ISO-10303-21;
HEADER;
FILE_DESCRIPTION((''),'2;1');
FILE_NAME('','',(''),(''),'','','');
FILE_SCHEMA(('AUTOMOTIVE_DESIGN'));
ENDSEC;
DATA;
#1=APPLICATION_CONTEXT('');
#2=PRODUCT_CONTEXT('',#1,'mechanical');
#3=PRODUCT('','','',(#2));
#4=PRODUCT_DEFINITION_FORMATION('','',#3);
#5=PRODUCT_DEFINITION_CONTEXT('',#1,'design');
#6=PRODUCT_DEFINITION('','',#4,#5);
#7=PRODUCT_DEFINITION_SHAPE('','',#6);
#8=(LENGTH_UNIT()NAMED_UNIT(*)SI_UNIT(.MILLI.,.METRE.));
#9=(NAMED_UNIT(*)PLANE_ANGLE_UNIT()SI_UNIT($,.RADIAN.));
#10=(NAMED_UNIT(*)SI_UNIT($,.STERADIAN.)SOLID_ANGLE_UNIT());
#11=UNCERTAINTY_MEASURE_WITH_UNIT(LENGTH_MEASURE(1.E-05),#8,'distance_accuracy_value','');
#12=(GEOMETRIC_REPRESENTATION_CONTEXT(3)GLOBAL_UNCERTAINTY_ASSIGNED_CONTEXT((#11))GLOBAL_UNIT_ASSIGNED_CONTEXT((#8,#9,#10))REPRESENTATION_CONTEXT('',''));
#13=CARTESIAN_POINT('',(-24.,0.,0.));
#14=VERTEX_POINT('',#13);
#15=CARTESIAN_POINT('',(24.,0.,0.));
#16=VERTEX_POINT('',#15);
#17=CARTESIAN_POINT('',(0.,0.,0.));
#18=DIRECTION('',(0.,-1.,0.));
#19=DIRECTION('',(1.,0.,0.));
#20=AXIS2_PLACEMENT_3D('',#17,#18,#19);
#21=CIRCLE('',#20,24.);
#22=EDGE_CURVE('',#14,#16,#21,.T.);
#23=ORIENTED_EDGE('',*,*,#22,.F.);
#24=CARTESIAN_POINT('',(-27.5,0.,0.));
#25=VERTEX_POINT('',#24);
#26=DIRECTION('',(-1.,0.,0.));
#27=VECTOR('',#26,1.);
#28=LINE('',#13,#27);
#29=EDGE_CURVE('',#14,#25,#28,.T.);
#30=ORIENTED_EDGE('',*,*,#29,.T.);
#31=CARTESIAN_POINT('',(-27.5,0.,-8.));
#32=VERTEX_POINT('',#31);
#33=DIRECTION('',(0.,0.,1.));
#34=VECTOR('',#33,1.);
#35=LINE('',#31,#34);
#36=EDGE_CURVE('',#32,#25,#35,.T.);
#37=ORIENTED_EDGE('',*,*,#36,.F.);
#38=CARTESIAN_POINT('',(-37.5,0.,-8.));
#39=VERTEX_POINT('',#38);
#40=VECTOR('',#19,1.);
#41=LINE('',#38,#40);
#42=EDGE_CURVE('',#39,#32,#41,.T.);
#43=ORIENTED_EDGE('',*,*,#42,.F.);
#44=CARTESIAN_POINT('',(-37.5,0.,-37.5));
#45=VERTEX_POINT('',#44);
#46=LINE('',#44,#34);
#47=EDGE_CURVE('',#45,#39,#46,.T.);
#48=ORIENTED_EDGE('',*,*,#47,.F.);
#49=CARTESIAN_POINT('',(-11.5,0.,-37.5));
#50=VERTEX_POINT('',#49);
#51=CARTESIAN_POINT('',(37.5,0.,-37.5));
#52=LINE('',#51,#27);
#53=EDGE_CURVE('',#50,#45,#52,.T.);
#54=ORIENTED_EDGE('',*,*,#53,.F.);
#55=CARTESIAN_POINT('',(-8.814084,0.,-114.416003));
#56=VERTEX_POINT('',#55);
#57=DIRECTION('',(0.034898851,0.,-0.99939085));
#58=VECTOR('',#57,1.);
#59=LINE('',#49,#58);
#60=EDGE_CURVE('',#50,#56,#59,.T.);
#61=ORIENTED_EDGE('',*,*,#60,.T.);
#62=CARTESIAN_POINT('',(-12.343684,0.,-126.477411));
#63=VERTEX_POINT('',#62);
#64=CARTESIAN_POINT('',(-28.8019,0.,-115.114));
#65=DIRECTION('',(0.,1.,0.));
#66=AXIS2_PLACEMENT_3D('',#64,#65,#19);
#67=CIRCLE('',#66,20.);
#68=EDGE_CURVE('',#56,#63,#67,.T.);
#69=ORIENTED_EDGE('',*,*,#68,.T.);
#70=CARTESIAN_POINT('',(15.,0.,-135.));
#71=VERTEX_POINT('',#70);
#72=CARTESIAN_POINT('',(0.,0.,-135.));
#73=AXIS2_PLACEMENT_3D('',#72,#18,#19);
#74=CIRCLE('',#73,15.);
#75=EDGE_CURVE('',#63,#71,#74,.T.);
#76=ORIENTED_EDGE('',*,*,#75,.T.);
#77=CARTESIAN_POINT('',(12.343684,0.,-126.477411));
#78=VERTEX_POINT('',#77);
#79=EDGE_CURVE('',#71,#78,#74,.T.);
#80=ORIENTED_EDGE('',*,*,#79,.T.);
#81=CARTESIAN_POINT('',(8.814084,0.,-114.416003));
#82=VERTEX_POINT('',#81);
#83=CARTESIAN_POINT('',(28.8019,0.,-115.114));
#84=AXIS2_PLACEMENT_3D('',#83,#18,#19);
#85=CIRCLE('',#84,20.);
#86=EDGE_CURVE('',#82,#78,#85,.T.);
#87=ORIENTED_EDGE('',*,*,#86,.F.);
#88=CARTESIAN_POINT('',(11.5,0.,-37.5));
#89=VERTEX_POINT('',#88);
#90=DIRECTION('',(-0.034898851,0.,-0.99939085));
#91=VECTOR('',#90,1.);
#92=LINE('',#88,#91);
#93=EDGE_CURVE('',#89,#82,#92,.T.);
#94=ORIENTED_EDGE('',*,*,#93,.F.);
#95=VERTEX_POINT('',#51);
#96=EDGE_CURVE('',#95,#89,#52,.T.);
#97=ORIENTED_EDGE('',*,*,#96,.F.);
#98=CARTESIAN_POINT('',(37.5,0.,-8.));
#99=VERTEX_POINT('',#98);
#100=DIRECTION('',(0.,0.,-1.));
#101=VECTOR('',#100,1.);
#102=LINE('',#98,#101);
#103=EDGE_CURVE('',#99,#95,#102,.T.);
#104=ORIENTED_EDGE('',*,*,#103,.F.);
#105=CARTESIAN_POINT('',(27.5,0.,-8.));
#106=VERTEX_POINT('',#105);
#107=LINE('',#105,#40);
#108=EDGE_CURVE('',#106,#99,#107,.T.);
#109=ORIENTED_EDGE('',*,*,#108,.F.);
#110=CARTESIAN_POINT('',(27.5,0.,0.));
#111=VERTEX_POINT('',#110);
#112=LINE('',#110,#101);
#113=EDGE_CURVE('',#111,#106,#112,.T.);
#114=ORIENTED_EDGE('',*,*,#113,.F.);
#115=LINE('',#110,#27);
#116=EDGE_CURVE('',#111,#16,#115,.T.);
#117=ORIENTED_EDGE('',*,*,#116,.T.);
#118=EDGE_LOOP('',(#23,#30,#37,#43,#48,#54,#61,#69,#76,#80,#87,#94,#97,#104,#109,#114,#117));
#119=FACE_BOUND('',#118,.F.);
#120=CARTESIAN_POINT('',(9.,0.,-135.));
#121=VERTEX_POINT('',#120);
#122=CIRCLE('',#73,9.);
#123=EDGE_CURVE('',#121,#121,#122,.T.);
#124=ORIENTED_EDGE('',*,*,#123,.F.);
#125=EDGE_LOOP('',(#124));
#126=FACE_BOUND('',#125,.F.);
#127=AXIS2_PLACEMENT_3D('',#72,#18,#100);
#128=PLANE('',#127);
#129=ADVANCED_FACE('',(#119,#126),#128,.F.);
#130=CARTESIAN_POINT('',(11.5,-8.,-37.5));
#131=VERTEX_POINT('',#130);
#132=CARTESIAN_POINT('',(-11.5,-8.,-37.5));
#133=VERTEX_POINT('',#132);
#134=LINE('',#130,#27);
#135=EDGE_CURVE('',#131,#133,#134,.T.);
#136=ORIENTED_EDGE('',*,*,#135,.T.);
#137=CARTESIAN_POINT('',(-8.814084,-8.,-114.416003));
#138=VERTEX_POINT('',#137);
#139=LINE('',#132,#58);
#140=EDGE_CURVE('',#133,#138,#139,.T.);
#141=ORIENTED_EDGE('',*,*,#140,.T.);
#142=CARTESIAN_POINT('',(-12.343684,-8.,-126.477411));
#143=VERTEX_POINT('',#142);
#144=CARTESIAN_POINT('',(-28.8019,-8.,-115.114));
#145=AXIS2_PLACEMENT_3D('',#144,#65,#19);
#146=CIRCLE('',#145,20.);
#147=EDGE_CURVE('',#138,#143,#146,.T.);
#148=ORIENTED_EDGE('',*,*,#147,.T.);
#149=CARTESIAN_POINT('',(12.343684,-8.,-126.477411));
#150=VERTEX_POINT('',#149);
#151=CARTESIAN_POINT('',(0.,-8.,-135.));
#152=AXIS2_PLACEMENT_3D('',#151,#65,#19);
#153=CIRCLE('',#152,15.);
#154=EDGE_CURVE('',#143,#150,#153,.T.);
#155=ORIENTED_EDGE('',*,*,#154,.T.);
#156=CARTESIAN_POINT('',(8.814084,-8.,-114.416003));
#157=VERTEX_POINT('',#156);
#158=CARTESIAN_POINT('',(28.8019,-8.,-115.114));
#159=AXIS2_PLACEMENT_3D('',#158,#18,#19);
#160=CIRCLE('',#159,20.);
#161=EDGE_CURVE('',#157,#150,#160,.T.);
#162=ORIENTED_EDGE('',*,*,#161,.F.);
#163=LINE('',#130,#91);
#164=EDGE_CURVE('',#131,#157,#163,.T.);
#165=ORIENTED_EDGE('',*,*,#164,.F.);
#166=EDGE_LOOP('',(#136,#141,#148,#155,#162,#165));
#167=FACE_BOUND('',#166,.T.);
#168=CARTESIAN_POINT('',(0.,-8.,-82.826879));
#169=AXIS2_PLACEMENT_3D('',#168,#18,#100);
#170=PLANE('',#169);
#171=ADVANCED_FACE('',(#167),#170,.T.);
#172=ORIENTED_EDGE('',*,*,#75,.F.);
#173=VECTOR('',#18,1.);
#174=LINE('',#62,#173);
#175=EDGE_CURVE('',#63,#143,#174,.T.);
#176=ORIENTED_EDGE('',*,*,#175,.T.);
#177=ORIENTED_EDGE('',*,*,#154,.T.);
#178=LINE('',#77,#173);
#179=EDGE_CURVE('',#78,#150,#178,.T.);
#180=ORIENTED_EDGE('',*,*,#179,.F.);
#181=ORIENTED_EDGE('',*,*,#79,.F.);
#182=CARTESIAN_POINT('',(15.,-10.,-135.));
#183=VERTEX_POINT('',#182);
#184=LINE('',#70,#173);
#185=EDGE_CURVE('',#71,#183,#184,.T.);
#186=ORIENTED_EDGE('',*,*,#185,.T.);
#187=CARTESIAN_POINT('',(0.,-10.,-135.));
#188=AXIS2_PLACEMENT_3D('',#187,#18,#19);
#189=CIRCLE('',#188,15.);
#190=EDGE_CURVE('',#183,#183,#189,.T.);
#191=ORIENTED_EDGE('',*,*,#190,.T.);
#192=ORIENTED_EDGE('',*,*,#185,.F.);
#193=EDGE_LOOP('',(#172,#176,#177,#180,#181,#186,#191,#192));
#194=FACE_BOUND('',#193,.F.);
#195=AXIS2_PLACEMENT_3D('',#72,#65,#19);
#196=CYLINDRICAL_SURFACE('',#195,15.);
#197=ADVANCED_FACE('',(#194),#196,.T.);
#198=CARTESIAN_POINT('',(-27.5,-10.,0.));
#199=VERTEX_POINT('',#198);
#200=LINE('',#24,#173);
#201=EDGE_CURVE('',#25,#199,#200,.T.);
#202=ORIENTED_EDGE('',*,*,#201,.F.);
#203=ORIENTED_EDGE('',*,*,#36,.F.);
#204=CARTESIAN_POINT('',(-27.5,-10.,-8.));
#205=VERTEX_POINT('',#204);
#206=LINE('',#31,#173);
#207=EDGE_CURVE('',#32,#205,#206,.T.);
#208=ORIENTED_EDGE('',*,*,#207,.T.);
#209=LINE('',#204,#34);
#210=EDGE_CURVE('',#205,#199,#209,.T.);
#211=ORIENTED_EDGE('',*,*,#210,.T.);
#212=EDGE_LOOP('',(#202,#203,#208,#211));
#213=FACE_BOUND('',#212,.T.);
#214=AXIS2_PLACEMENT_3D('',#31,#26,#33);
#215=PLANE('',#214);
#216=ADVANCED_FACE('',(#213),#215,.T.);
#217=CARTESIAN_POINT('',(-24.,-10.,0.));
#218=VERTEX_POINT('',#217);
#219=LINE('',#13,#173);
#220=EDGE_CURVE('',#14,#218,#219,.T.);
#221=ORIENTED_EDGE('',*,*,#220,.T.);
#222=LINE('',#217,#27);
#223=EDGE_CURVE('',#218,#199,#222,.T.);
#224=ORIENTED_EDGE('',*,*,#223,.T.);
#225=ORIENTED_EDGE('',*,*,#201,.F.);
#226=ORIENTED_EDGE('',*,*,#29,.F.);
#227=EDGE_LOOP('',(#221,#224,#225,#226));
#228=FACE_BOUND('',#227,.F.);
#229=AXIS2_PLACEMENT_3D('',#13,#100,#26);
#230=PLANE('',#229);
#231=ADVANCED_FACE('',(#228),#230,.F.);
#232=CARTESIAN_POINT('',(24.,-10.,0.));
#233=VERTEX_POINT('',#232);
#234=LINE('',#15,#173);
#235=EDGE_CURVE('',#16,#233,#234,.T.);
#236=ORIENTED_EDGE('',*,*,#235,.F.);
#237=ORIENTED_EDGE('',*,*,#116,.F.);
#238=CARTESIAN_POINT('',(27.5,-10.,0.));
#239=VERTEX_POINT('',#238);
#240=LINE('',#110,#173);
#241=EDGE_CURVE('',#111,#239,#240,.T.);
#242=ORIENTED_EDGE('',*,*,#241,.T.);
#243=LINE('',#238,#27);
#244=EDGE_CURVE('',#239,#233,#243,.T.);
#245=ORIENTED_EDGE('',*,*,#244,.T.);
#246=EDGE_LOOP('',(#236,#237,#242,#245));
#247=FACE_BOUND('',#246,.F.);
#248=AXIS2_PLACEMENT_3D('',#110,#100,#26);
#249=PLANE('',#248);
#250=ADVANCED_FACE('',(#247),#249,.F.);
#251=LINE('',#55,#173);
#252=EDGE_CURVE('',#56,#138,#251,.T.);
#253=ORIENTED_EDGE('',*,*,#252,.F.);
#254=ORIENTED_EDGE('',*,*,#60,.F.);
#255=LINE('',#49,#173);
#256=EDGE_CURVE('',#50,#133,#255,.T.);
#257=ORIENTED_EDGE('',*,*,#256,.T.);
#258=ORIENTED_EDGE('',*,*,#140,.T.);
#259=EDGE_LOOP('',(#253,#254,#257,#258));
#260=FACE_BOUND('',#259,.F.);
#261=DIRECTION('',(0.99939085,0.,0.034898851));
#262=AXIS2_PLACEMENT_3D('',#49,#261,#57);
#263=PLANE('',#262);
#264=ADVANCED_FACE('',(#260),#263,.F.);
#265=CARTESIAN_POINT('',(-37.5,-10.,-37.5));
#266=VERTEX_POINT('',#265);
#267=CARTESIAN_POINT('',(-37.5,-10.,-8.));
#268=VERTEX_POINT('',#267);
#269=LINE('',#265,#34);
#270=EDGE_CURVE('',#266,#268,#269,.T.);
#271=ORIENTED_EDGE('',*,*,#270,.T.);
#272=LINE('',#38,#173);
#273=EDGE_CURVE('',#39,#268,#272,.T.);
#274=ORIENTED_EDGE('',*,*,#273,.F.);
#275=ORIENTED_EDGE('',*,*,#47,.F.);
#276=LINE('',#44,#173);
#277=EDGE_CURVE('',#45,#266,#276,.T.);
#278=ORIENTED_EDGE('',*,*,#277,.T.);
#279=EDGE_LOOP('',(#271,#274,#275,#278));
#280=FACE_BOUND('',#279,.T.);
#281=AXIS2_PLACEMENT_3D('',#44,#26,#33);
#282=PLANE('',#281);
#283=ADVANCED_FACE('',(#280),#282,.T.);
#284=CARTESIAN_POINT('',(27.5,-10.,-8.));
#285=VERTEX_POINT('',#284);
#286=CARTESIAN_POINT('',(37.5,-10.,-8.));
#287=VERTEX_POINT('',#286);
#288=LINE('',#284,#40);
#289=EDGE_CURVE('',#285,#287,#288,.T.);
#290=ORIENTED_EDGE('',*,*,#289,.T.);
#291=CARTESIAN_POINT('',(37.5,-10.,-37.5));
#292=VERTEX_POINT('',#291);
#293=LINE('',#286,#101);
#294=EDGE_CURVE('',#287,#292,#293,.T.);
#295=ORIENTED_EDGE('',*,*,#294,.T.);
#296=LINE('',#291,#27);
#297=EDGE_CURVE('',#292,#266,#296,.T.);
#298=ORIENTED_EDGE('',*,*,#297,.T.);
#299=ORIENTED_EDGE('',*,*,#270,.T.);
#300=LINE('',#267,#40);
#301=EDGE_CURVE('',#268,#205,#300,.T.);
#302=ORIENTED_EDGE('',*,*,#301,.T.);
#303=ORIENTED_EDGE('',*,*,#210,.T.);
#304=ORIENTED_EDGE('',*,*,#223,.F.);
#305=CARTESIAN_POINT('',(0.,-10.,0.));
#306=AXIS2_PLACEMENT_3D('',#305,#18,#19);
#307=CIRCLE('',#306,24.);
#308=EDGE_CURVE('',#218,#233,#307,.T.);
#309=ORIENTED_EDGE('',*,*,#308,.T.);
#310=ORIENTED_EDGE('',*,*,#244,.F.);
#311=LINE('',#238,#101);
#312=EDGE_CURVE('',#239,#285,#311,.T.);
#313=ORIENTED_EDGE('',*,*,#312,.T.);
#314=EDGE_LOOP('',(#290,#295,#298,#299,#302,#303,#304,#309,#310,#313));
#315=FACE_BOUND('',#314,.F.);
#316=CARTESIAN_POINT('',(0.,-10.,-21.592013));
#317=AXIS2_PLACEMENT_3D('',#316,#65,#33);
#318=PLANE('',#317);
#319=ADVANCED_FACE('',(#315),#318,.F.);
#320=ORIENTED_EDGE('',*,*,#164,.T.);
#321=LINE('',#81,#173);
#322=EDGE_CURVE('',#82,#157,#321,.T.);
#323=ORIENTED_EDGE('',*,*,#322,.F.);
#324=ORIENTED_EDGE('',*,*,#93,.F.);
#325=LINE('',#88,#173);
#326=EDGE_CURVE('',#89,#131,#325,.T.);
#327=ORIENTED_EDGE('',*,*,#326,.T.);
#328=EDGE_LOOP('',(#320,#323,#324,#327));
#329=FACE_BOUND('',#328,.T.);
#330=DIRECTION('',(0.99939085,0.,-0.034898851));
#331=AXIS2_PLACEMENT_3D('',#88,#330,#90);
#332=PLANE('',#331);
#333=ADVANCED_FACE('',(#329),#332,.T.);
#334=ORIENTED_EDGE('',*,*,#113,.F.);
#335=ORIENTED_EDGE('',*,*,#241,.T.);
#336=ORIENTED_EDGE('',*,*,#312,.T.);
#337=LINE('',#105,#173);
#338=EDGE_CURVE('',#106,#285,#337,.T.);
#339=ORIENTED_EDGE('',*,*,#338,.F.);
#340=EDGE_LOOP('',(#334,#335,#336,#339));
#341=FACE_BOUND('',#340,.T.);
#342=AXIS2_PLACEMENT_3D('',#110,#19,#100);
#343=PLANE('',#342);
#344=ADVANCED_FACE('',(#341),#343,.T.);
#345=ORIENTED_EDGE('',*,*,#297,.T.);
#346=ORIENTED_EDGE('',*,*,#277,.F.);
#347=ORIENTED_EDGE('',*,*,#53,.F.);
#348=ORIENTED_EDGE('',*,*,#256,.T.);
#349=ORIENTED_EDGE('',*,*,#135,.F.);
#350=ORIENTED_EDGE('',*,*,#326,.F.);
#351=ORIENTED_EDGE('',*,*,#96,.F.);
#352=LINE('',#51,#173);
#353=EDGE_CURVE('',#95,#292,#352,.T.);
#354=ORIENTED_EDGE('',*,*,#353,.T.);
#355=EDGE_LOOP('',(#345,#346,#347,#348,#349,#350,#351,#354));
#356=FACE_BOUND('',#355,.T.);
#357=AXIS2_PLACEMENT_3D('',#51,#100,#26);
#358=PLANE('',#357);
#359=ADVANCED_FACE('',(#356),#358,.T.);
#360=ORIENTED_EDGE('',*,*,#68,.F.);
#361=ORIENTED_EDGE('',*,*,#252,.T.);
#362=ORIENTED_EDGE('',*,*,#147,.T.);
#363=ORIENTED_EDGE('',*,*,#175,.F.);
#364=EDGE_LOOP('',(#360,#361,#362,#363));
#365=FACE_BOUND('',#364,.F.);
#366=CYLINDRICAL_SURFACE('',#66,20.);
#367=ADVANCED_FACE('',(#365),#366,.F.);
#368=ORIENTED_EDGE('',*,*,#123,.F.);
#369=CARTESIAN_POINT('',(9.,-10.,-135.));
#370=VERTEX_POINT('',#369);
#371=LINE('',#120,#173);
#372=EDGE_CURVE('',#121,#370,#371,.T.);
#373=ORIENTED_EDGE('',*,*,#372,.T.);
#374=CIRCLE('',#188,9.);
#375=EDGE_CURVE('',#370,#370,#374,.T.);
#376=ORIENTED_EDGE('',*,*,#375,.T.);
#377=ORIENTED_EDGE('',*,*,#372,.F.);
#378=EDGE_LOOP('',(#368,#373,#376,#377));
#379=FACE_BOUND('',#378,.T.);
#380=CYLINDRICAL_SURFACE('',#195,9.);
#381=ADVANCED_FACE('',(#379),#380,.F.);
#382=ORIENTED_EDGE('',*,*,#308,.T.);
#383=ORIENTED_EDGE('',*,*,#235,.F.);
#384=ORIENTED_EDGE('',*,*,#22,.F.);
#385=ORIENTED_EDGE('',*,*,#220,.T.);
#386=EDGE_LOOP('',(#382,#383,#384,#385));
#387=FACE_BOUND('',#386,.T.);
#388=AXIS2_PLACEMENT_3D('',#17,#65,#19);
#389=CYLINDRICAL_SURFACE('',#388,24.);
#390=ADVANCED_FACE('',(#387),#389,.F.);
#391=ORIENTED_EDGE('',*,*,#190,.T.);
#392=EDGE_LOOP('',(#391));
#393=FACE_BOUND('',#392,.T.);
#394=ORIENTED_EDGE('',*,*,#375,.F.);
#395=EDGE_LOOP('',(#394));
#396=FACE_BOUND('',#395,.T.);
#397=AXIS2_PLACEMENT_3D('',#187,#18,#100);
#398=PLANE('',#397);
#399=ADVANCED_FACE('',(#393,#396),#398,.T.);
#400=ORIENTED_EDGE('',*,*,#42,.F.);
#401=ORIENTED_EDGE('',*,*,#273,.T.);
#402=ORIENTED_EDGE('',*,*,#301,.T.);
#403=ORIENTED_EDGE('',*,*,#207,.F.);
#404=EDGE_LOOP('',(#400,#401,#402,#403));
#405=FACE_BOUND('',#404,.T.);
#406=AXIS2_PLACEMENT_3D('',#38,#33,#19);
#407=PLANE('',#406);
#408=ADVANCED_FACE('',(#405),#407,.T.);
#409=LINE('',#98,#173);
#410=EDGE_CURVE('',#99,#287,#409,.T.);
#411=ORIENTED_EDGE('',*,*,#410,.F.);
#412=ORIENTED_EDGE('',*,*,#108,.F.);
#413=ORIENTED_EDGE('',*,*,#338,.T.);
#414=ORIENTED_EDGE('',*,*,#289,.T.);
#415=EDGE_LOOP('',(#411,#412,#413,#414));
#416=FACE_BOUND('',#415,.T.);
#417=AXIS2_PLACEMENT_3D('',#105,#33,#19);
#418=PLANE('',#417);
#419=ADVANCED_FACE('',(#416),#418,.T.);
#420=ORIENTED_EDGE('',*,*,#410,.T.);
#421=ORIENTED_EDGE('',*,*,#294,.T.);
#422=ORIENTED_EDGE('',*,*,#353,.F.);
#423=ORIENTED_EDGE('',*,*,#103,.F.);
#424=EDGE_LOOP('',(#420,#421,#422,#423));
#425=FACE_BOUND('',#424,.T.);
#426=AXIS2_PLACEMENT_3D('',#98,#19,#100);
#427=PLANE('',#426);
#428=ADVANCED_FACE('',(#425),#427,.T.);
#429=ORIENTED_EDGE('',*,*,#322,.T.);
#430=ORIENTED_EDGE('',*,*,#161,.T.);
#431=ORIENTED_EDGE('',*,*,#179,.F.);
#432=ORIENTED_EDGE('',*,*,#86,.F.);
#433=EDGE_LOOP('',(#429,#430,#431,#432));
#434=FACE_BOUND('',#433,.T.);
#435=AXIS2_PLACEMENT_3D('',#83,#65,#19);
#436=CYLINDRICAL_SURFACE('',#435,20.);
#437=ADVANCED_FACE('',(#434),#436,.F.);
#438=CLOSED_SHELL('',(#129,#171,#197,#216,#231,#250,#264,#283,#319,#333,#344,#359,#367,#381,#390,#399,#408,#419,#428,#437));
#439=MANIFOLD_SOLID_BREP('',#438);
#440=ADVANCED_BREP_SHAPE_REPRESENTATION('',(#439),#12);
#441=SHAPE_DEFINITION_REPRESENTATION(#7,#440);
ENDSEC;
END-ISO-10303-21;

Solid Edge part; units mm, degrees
sketch "Sketch1" plane through (0, 0, 0) normal (0, -1, 0) x (1, 0, 0)
  line L0 (-27.5, -8) -> (-27.5, 0)
  line L1 (-24, 0) -> (-27.5, 0)
  line L2 (27.5, 0) -> (24, 0)
  line L3 (27.5, 0) -> (27.5, -8)
  line L4 (27.5, -8) -> (37.5, -8)
  line L5 (37.5, -8) -> (37.5, -37.5)
  line L6 (37.5, -37.5) -> (-37.5, -37.5)
  line L7 (-37.5, -37.5) -> (-37.5, -8)
  line L8 (-37.5, -8) -> (-27.5, -8)
  arc A0 (-24, 0) -> (24, 0) centre (0, 0) ccw
extrude "Protrusion1" add sketch "Sketch1" along normal blind 10
sketch "Sketch2" plane through (0, 0, 0) normal (0, -1, 0) x (1, 0, 0)
  line L0 (11.5, -37.5) -> (-11.5, -37.5)
  line L1 (-11.5, -37.5) -> (-8.814, -114.416)
  arc A0 (-8.814, -114.416) -> (-12.3437, -126.4774) centre (-28.8019, -115.114) cw
  arc A1 (8.814, -114.416) -> (12.3437, -126.4774) centre (28.8019, -115.114) ccw
  line L2 (11.5, -37.5) -> (8.814, -114.416)
  arc A2 (-12.3437, -126.4774) -> (12.3437, -126.4774) centre (0, -135) cw
extrude "Protrusão_Extrudada_2" add sketch "Sketch2" along normal blind 8
sketch "Sketch3" plane through (0, 0, 0) normal (0, -1, 0) x (1, 0, 0)
  circle A0 centre (0, -135) radius 9
  circle A1 centre (0, -135) radius 15
  dimension "D1" = 135
  dimension "D2" = 100
  dimension "D3" = 50
  dimension "D4" = 30
  dimension "D5" = 18
  dimension "D6" = 75
  dimension "D7" = 48
  dimension "D8" = 40
  dimension "D9" = 13
  dimension "D10" = 9
  dimension "D11" = 11.5
  dimension "D12" = 8
  dimension "D13" = 55
extrude "Protrusão_Extrudada_4" add sketch "Sketch3" along normal blind 10
